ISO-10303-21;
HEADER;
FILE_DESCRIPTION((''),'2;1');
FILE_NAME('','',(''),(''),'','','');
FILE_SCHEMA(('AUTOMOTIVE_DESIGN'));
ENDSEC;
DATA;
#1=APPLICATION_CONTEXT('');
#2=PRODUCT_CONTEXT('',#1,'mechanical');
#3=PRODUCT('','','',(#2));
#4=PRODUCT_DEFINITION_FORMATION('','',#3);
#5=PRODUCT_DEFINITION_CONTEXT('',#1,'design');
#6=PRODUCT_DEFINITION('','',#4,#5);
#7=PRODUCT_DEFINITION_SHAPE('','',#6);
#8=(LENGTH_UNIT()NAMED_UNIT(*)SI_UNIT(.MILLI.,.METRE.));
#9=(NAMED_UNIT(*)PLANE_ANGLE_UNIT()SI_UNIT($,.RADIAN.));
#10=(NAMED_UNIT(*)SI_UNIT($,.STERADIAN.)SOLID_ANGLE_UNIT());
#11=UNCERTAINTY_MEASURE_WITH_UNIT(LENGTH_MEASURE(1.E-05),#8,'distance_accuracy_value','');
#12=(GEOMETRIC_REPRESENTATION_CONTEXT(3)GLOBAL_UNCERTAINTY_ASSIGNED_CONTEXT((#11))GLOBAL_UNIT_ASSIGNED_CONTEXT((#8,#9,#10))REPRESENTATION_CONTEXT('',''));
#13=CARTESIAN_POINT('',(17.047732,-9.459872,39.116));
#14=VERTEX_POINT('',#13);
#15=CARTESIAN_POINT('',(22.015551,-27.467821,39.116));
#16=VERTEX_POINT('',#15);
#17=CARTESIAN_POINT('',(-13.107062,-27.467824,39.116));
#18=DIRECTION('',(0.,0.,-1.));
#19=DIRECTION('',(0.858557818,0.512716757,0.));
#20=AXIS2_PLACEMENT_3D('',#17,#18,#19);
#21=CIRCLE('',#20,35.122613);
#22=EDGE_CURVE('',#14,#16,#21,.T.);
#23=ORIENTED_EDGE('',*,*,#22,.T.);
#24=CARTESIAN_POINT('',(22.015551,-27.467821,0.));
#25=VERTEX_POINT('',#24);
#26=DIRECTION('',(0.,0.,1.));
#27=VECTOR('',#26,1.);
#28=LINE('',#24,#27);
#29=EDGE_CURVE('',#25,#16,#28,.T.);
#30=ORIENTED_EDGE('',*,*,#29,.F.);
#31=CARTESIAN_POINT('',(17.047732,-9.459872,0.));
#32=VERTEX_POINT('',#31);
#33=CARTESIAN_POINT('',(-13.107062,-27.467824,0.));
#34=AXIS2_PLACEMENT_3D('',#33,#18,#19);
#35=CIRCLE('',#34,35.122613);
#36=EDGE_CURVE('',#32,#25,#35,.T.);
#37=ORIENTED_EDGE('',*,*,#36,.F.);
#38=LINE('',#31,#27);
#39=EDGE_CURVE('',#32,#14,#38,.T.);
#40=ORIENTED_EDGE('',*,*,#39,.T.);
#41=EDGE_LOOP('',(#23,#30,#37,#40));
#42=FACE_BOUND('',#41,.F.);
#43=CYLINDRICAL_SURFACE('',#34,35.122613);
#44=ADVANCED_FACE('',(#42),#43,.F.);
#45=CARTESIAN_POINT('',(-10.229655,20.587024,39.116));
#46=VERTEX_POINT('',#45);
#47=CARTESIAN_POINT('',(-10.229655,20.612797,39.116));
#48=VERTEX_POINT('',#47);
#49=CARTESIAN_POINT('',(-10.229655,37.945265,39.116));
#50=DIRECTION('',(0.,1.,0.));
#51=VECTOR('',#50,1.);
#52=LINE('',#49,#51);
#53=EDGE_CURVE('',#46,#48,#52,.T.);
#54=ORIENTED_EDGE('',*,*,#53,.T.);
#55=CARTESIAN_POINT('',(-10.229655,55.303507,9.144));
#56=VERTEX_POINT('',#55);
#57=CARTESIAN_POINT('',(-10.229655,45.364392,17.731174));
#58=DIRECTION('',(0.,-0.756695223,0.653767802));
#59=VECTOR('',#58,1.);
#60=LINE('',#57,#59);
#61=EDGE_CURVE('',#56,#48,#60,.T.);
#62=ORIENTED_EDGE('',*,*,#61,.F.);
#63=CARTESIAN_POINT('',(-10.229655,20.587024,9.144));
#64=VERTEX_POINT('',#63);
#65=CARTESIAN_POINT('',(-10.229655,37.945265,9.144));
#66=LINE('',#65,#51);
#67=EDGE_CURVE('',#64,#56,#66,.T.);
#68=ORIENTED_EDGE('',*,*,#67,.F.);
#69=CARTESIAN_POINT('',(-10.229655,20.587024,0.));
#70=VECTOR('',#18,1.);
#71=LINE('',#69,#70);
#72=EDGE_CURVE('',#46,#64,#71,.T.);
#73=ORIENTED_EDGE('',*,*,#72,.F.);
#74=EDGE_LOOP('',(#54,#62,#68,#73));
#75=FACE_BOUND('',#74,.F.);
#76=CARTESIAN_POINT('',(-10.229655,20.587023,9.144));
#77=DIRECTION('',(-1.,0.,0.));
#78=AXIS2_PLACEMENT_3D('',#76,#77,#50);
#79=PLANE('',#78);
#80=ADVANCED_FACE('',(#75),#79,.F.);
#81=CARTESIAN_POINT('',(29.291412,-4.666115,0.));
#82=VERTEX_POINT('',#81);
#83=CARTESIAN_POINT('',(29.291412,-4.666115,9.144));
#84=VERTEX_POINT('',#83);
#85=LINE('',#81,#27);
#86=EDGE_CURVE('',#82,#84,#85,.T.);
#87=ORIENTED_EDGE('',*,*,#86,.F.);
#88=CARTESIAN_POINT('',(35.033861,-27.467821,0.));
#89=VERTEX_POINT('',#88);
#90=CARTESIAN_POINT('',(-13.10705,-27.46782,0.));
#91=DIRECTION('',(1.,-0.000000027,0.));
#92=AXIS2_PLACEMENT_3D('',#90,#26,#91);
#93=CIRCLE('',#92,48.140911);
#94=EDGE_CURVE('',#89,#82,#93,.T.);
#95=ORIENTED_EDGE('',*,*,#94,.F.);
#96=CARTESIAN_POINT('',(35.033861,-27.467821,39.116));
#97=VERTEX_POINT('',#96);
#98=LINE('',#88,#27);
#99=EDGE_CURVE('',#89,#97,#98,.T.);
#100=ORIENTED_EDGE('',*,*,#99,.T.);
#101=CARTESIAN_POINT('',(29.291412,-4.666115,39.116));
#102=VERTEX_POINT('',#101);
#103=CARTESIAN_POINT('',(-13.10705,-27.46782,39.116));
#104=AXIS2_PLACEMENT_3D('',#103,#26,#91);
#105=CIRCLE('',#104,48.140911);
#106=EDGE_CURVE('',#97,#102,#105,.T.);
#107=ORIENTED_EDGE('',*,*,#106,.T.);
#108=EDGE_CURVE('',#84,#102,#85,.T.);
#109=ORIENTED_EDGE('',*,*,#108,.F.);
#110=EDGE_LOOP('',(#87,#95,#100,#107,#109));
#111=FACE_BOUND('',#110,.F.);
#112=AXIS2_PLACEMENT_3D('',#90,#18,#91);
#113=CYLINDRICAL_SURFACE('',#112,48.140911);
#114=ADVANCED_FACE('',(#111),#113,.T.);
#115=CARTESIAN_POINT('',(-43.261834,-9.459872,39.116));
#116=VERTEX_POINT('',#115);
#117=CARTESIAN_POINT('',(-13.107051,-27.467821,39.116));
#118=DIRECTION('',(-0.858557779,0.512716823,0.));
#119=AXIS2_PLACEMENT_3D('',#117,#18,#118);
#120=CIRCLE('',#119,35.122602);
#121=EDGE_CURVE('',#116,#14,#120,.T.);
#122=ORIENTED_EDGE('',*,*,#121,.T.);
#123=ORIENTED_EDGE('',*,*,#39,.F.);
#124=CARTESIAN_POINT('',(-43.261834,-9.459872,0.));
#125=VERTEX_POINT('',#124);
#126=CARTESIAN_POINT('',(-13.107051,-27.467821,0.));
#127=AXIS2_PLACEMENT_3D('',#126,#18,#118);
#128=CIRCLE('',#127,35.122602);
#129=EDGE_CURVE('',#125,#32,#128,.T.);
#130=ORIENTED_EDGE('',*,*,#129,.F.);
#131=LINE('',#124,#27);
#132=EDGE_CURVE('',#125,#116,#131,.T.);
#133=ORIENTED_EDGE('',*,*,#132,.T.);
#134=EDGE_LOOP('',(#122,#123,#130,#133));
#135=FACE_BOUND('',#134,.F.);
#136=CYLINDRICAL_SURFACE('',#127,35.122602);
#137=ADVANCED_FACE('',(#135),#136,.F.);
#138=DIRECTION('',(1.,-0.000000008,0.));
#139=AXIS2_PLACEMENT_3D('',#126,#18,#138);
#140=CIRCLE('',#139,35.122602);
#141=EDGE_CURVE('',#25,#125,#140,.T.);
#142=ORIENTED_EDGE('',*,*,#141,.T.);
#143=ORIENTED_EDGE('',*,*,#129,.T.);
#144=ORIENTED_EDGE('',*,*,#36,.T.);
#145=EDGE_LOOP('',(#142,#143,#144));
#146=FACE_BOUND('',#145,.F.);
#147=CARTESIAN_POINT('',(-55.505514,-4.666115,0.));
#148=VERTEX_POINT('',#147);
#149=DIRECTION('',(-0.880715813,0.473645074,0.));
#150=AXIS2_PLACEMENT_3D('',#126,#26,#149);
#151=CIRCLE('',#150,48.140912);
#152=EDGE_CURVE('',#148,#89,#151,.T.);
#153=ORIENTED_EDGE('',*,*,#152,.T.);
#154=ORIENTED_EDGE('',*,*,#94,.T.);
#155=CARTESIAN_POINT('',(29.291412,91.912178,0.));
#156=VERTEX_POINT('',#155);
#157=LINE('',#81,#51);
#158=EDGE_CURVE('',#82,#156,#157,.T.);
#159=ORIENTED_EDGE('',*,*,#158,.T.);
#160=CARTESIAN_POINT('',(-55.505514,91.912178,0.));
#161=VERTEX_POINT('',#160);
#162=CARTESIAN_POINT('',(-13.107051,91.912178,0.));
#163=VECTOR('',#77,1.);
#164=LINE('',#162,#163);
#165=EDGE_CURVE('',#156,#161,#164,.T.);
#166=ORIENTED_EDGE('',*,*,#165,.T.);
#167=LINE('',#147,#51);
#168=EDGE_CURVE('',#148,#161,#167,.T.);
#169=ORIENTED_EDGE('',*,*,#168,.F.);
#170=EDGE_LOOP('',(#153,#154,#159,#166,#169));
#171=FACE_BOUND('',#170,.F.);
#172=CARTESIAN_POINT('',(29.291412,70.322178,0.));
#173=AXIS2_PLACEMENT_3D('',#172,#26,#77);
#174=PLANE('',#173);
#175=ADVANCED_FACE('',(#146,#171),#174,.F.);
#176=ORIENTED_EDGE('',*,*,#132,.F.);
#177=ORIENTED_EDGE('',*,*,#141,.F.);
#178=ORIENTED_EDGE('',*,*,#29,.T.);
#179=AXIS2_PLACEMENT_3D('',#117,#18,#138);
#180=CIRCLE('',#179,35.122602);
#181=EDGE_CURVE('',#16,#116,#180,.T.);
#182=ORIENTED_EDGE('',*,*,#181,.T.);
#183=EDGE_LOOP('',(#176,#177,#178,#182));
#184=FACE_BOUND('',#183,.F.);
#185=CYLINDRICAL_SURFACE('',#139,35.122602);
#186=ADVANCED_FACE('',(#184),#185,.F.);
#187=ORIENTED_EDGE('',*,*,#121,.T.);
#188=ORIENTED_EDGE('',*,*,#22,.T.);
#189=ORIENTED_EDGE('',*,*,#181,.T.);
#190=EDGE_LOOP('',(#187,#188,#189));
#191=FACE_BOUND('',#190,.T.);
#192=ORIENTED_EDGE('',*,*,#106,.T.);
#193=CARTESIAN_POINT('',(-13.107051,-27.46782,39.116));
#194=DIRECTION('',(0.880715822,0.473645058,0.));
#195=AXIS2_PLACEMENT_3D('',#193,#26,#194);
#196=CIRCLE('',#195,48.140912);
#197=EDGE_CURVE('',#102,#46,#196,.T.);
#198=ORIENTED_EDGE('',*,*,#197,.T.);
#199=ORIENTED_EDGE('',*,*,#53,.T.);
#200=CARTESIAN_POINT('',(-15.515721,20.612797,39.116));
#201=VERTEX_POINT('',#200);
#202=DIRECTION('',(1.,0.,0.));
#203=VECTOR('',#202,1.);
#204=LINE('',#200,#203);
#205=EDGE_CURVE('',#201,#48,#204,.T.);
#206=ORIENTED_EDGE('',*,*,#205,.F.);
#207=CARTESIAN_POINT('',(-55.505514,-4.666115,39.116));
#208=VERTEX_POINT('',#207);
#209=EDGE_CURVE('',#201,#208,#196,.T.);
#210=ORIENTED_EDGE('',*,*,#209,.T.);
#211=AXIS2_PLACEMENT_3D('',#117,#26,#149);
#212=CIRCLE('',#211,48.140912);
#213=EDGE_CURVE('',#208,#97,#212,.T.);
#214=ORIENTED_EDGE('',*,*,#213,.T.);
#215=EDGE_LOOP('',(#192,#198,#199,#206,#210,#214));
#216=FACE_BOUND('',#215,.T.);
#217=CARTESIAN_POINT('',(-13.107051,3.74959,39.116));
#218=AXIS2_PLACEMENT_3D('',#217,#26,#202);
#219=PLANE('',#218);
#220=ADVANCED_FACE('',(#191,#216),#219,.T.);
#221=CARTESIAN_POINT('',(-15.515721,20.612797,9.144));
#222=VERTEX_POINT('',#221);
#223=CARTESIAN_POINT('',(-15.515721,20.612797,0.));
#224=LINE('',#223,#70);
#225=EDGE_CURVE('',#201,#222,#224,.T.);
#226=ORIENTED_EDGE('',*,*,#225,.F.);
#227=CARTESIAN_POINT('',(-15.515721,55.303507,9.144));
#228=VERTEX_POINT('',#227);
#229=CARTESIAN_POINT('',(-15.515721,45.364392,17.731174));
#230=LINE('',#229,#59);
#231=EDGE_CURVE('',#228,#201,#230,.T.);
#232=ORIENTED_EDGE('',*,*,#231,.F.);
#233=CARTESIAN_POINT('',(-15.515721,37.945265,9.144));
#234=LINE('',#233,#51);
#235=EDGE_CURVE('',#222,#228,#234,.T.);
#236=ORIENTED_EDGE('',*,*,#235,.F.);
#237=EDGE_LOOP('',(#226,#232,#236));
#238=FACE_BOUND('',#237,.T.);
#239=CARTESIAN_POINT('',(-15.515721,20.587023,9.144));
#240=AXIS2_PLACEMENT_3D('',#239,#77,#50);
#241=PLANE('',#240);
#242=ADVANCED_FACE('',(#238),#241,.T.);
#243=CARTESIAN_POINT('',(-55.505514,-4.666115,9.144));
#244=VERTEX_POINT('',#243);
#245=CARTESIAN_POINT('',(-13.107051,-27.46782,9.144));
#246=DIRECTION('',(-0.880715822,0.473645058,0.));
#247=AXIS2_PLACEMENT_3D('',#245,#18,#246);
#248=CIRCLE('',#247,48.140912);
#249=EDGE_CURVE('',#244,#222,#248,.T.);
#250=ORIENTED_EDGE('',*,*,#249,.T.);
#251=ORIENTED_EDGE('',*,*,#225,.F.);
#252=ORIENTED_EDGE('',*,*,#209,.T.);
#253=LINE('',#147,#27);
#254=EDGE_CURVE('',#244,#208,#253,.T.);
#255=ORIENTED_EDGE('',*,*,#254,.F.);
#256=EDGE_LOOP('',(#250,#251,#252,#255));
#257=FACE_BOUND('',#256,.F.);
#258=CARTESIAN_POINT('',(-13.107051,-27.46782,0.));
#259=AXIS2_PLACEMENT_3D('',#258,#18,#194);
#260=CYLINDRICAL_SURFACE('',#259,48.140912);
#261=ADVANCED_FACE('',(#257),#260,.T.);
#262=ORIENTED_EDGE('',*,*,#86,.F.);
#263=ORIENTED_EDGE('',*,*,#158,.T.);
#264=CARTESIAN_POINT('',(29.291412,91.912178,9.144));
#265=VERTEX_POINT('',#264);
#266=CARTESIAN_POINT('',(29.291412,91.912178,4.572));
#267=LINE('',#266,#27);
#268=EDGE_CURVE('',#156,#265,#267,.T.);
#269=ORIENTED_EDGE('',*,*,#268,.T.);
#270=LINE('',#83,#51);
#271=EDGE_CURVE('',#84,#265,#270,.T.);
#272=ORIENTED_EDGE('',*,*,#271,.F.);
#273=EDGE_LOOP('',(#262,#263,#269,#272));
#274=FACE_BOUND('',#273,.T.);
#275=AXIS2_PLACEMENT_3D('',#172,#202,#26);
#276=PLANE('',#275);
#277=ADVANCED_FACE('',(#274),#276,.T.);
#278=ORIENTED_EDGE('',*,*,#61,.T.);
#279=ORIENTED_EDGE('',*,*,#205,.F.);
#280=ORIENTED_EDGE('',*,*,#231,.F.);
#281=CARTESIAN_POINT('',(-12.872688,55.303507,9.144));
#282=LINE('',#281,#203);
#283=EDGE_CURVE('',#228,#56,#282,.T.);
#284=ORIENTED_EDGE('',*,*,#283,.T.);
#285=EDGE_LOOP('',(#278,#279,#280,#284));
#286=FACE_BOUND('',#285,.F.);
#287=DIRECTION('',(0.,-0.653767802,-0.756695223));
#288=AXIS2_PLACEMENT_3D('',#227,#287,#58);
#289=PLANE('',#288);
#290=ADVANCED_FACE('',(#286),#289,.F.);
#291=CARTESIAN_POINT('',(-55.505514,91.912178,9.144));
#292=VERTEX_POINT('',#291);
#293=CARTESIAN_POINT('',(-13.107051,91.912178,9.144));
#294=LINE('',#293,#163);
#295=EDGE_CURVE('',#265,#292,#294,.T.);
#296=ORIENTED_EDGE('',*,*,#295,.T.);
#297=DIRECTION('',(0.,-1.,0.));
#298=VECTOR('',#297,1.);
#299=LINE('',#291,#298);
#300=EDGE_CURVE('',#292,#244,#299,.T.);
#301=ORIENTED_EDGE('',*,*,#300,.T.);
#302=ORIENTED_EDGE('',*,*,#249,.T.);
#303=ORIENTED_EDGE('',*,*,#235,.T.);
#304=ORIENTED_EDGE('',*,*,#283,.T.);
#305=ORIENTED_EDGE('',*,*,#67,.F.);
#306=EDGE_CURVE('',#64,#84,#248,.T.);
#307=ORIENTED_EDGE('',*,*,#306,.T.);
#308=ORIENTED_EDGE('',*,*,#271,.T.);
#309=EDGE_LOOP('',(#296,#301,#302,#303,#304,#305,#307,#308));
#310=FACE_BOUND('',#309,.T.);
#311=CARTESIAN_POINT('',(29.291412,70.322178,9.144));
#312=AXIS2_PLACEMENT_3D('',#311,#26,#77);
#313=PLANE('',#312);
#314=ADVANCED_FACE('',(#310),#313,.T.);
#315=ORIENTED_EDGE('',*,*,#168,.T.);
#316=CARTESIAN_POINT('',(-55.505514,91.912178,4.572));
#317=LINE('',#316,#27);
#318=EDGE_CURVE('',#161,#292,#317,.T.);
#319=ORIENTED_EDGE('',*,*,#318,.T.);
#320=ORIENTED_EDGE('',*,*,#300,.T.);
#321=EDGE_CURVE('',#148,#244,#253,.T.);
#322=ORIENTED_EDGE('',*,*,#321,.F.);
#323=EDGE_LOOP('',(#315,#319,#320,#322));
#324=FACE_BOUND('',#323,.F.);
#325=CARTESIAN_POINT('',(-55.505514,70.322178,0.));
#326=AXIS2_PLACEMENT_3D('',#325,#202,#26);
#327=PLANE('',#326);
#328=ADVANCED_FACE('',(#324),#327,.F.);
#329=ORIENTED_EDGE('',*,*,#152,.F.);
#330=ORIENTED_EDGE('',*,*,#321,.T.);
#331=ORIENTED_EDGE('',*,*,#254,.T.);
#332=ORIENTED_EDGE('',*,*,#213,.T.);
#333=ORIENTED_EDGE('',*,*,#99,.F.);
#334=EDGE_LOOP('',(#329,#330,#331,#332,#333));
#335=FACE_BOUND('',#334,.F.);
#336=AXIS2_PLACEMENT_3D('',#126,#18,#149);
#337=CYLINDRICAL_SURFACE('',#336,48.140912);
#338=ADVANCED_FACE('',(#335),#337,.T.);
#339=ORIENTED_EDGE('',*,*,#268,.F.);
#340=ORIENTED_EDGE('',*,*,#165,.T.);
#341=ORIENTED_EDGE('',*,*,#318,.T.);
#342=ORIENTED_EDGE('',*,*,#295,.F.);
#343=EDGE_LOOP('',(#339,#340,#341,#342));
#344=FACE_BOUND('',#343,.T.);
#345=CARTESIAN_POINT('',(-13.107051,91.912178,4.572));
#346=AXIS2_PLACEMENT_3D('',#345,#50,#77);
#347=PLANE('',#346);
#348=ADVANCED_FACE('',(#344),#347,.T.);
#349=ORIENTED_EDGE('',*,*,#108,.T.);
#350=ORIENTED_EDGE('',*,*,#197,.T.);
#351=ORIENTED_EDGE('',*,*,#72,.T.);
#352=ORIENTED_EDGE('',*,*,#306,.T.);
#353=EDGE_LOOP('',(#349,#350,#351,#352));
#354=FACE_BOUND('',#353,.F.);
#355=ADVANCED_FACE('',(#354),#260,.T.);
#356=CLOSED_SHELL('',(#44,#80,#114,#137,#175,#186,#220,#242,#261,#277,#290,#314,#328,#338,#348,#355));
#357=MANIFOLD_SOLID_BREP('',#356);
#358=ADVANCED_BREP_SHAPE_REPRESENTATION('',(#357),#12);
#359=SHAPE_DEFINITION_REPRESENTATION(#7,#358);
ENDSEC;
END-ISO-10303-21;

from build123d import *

# Parameters (mm, degrees)
F1_DEPTH  = 39.116
F2_DEPTH  = 9.144
F2_FACE_W = 84.796926
F2_FACE_H = 9.144
F3_DEPTH  = 21.59
F4_W      = 5.286065
F4_H      = 34.716484
F5_DEPTH  = 29.972
F7_DEPTH  = 49.784


with BuildPart() as f1:
    # F0 (on Top) → F1 (new body)
    with BuildSketch(Plane.XY):
        with BuildLine():
            ThreePointArc((29.291412, -4.666115), (-13.107051, 20.673092), (-55.505514, -4.666115))
            Line((-55.505514, -4.666115), (-55.505514, -9.459872))
            Line((-55.505514, -9.459872), (-43.261834, -9.459872))
            ThreePointArc((-43.261834, -9.459872), (-13.107051, 7.654781), (17.047732, -9.459872))
            Line((17.047732, -9.459872), (29.291412, -9.459872))
            Line((29.291412, -9.459872), (29.291412, -4.666115))
        make_face()
        with BuildLine():
            Line((-55.505514, -9.459872), (-55.505514, -4.666115))
            ThreePointArc((-55.505514, -4.666115), (-24.863895, -74.151052), (35.033861, -27.467821))
            ThreePointArc((35.033861, -27.467821), (33.57618, -15.710977), (29.291412, -4.666115))
            Line((29.291412, -4.666115), (29.291412, -9.459872))
            Line((29.291412, -9.459872), (17.047732, -9.459872))
            ThreePointArc((17.047732, -9.459872), (20.750825, -18.127512), (22.015551, -27.467821))
            ThreePointArc((22.015551, -27.467821), (-22.44736, -61.325697), (-43.261834, -9.459872))
            Line((-43.261834, -9.459872), (-55.505514, -9.459872))
        make_face()
    extrude(amount=F1_DEPTH)

    # F0 (on Top) → F2 (join)
    with BuildSketch(Plane.XY):
        with BuildLine():
            Line((29.291412, 70.322178), (-55.505514, 70.322178))
            Line((-55.505514, 70.322178), (-55.505514, -4.666115))
            ThreePointArc((-55.505514, -4.666115), (-13.107051, 20.673092), (29.291412, -4.666115))
            Line((29.291412, -4.666115), (29.291412, 70.322178))
        make_face()
    extrude(amount=F2_DEPTH)

    # F2_face (on face) → F3 (join)
    with BuildSketch(Plane(origin=(-13.107051, 70.322178, 4.572), x_dir=(-1, 0, 0), z_dir=(0, 1, 0))):
        Rectangle(F2_FACE_W, F2_FACE_H)
    extrude(amount=F3_DEPTH)

    # F4 (on face) → F5 (join)
    with BuildSketch(Plane.XY.offset(9.144)):
        with Locations((-12.872688, 37.945265)):
            Rectangle(F4_W, F4_H)
    extrude(amount=F5_DEPTH)

    # F6 (on face) → F7 (cut)
    with BuildSketch(Plane(origin=(-15.515721, 0, 0), x_dir=(0, -1, 0), z_dir=(-1, 0, 0))):
        Polygon((-55.303507, 9.144), (-20.612797, 39.116), (-55.303507, 39.116), align=None)
    extrude(amount=-F7_DEPTH, mode=Mode.SUBTRACT)


solid = f1.part
